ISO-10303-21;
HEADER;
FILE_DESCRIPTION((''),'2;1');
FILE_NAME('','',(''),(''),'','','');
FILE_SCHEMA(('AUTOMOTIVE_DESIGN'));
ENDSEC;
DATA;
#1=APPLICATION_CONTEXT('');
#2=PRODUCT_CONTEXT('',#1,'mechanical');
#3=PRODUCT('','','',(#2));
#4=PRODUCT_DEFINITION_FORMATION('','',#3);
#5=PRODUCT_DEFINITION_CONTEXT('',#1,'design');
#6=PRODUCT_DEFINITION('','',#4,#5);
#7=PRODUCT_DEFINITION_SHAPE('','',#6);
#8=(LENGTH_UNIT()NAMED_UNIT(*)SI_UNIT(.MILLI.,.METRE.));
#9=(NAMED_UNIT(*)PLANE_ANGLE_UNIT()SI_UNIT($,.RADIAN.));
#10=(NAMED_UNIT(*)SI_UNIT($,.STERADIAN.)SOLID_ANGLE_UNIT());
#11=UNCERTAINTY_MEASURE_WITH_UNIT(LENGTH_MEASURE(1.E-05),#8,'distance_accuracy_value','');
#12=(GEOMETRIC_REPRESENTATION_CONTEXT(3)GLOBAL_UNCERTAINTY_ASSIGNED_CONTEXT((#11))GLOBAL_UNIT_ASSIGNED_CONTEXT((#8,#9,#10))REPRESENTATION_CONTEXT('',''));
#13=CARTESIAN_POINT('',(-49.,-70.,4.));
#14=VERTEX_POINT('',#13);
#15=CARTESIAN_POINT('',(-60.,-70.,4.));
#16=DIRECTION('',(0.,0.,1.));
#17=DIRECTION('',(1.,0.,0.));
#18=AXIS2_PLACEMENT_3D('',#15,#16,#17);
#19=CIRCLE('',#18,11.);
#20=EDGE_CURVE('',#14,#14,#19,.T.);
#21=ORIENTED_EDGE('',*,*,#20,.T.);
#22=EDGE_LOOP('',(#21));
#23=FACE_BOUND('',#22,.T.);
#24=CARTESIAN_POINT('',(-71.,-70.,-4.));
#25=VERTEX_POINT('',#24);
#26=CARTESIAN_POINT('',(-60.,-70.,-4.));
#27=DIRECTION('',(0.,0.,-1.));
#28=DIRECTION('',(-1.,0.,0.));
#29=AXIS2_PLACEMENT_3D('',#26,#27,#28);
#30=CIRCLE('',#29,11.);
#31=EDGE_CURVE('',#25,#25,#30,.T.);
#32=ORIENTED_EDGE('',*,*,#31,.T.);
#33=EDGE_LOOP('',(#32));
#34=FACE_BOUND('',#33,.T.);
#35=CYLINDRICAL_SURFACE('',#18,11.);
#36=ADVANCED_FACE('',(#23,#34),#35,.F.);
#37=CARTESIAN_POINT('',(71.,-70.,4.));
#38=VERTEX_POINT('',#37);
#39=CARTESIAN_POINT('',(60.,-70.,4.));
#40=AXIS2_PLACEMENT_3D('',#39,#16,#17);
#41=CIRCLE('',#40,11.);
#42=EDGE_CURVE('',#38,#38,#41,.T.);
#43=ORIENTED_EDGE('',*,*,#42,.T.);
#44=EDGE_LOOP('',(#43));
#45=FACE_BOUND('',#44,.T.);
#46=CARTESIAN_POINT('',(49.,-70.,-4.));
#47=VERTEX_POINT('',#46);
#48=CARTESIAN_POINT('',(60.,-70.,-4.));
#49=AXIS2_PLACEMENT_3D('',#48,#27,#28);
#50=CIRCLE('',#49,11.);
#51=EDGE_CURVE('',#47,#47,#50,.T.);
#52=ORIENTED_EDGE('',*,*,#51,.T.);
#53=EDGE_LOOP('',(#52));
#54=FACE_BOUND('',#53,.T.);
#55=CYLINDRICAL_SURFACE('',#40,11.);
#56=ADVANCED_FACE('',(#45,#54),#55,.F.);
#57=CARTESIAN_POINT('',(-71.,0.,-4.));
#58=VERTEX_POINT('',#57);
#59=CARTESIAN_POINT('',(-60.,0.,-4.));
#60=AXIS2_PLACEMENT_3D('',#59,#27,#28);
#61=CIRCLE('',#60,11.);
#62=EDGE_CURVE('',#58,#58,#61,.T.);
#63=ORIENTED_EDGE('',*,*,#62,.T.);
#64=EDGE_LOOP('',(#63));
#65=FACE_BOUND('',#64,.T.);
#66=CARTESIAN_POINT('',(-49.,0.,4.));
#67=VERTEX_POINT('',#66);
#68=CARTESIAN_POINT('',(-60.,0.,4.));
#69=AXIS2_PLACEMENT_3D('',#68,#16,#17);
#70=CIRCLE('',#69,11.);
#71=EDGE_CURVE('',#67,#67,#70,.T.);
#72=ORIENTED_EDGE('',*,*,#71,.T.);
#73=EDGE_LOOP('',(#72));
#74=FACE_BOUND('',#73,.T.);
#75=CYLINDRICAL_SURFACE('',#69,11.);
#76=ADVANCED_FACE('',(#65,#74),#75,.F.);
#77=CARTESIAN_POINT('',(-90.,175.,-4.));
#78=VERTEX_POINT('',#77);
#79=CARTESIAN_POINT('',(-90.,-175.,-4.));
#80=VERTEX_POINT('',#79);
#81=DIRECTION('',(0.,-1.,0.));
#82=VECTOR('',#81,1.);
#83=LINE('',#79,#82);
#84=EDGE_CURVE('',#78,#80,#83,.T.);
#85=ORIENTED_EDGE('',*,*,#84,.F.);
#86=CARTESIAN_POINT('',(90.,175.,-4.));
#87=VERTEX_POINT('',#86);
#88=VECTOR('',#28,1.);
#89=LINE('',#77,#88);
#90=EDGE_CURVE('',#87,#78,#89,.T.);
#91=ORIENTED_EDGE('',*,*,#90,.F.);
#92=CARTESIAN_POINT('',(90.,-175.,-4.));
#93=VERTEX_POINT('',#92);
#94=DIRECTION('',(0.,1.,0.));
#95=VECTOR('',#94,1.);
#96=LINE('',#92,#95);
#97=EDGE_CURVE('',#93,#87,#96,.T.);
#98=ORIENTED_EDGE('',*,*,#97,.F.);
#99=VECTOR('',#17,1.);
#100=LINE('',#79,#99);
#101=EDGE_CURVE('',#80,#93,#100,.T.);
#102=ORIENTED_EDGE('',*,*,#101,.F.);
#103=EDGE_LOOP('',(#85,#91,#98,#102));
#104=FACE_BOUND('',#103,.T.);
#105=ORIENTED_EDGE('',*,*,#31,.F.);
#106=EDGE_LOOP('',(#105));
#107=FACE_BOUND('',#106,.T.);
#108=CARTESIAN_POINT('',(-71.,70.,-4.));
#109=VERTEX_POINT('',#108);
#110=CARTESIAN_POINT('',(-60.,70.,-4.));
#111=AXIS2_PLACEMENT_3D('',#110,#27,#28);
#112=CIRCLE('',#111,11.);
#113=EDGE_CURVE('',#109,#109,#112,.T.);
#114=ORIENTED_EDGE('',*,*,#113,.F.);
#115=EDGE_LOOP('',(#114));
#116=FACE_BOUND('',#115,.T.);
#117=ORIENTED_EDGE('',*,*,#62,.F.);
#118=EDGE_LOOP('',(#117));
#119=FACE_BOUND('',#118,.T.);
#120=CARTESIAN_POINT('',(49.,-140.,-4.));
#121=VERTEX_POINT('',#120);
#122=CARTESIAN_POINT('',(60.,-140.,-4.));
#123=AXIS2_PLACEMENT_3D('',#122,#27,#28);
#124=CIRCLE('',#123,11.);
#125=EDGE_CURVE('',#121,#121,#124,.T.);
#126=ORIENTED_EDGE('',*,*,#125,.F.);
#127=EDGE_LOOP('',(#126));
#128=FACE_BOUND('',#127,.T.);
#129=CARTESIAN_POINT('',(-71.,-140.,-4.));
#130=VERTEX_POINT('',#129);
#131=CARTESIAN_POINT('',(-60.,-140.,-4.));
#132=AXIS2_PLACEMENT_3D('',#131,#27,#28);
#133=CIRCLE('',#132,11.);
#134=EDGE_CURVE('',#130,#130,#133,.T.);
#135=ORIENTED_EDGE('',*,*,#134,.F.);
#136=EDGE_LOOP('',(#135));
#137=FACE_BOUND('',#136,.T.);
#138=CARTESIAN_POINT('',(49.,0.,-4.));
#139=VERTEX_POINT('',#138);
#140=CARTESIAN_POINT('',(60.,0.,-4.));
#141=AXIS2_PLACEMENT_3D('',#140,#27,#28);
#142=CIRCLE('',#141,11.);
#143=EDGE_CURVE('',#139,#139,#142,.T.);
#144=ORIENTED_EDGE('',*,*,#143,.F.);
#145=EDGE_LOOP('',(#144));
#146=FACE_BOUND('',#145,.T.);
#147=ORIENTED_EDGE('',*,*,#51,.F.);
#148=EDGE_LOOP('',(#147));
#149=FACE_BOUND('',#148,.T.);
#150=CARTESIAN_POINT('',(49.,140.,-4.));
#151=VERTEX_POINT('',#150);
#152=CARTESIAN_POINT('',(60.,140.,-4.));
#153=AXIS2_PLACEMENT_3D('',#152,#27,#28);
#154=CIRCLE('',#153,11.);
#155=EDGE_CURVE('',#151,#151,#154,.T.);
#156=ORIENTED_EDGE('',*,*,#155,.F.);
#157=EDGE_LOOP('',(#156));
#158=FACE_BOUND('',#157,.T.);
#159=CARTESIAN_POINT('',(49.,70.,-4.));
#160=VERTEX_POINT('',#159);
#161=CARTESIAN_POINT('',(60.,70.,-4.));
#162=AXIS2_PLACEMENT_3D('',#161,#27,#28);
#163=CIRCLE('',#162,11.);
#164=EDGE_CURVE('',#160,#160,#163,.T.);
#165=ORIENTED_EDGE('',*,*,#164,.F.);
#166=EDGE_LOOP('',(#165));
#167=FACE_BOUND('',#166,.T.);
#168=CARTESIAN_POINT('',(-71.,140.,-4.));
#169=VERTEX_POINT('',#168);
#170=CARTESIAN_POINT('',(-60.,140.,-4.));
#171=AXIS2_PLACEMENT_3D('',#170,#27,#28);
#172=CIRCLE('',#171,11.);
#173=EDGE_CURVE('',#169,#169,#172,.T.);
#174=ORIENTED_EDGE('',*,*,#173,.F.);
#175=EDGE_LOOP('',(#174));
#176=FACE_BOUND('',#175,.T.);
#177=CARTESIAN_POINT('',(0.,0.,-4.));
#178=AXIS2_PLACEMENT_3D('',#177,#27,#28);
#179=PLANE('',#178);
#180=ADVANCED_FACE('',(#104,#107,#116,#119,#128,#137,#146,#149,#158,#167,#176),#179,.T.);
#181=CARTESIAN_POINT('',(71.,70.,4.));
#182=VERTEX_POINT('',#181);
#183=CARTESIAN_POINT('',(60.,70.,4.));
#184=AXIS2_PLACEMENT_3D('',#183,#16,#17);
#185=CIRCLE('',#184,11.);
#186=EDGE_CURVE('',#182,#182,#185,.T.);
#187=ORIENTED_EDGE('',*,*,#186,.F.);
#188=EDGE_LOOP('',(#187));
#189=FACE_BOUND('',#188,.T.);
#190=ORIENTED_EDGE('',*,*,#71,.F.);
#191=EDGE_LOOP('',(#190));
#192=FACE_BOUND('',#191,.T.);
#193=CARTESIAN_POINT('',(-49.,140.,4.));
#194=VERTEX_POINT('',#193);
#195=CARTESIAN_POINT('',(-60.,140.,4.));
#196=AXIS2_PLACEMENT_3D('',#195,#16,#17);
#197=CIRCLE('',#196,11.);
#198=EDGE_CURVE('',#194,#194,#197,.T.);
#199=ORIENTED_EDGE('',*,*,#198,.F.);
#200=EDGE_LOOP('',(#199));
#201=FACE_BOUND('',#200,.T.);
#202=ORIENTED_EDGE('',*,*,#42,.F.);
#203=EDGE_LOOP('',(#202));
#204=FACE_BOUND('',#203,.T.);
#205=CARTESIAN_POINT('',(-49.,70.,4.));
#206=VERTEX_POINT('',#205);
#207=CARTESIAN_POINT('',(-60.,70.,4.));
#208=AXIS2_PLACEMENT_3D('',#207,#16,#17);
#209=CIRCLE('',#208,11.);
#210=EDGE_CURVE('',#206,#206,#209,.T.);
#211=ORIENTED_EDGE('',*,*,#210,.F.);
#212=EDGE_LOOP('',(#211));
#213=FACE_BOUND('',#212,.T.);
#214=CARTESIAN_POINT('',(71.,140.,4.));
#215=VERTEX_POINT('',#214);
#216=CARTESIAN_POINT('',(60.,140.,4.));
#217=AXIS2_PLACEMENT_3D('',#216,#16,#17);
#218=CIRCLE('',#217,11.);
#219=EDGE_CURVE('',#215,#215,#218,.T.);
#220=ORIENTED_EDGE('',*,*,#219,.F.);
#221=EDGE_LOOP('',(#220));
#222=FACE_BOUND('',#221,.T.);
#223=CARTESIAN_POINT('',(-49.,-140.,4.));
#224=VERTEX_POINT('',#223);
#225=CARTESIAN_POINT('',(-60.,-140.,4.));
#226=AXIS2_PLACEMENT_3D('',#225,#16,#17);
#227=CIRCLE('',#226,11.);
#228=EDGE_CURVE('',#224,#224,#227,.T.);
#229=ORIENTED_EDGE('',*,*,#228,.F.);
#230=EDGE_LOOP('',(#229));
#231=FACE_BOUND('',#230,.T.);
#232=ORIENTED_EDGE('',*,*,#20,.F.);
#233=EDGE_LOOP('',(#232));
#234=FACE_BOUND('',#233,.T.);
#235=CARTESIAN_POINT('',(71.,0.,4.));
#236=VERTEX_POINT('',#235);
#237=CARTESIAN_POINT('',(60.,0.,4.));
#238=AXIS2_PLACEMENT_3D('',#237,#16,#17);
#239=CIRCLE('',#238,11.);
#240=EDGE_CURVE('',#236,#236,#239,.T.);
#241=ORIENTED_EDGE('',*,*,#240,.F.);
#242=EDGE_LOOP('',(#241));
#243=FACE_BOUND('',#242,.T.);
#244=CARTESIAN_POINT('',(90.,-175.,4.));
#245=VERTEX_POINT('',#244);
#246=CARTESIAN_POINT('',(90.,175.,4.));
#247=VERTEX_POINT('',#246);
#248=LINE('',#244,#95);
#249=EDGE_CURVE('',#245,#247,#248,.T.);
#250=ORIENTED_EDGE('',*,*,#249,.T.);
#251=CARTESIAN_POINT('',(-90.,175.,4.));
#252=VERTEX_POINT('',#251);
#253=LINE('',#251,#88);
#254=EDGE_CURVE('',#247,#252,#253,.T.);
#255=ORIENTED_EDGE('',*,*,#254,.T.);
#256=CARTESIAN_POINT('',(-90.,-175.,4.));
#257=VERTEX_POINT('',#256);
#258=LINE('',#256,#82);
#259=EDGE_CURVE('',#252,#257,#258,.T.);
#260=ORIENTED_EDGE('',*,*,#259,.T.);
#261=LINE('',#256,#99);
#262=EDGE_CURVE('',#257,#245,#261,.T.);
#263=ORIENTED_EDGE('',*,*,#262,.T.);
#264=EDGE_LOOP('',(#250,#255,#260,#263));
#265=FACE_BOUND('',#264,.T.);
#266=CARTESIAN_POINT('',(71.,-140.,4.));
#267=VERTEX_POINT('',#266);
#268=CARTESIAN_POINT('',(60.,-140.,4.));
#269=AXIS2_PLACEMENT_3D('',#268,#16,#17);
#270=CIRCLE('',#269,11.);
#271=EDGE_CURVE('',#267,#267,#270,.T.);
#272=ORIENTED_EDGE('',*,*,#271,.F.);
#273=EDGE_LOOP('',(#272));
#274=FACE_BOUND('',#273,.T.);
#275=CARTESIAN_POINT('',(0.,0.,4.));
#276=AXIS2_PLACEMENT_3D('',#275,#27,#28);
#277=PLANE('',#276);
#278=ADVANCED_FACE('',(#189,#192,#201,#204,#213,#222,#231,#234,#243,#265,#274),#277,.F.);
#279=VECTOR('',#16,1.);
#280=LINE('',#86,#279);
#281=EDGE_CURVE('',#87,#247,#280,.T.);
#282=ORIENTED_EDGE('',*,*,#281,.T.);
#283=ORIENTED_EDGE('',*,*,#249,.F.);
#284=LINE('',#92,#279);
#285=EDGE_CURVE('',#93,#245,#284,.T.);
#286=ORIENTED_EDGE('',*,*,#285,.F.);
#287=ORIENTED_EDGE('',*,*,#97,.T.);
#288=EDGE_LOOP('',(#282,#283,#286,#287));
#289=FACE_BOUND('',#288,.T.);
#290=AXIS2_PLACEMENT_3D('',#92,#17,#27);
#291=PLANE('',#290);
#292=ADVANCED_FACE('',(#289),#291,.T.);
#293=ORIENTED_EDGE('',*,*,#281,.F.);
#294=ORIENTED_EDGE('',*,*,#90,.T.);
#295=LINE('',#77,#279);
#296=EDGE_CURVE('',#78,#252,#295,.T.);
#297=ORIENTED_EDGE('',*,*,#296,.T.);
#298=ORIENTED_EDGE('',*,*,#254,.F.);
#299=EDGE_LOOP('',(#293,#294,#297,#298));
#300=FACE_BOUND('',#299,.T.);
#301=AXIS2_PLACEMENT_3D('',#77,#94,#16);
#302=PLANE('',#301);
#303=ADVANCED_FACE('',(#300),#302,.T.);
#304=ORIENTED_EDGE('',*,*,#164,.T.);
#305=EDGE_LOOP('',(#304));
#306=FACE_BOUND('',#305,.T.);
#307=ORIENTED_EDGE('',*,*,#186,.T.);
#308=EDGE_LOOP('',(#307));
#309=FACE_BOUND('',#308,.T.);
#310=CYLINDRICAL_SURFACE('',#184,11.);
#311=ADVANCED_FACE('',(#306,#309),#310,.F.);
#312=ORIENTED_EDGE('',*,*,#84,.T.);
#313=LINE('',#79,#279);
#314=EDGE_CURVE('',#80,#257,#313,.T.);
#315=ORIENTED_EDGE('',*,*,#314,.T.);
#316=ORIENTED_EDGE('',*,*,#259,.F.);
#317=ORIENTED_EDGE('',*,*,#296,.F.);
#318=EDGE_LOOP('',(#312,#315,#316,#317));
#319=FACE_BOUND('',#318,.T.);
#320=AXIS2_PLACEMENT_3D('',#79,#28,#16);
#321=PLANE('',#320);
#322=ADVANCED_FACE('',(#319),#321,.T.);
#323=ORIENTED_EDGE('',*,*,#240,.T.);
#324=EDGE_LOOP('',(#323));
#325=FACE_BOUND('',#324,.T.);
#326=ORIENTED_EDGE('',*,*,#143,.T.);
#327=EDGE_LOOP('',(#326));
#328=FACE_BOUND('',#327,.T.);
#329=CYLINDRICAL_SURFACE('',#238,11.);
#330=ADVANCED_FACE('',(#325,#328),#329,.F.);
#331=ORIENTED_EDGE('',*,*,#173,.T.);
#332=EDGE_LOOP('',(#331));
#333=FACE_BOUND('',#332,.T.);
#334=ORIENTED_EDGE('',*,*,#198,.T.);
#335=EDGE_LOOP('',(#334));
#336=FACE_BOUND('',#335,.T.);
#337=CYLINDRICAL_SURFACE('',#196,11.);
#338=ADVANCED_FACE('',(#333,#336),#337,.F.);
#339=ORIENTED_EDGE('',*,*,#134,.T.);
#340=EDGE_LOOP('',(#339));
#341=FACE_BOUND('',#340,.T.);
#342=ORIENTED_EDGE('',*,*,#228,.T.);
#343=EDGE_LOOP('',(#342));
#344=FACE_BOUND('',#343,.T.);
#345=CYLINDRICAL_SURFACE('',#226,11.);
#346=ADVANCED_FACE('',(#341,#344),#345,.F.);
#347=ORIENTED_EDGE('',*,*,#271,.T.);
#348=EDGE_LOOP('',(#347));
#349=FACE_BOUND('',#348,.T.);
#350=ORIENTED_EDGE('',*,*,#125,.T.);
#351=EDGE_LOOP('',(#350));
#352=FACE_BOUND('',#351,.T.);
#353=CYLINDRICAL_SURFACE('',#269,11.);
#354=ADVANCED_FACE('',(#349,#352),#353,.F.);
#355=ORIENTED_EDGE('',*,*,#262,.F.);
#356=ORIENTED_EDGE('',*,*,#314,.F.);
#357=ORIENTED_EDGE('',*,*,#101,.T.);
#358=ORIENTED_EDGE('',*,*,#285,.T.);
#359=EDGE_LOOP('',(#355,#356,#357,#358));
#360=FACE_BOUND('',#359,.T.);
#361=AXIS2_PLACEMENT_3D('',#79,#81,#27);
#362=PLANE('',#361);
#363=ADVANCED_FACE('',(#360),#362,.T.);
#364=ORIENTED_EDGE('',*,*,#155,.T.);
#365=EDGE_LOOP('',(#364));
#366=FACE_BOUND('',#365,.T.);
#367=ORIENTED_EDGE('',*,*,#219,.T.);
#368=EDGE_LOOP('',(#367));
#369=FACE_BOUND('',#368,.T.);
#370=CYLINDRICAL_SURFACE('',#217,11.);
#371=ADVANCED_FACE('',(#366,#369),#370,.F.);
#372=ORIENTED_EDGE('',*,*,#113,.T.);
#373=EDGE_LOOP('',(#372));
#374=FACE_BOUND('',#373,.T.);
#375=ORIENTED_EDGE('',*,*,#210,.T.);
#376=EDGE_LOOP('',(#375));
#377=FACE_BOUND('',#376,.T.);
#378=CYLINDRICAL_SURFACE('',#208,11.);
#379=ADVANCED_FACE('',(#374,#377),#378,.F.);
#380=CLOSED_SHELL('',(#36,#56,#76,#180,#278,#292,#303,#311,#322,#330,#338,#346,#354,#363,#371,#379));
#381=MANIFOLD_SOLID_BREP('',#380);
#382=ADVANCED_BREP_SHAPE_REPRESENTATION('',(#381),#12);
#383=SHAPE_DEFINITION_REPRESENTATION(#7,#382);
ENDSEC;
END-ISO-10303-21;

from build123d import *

# Parameters (mm, degrees)
SKETCH1_W                  = 180
SKETCH1_H                  = 350
BOSS_EXTRUDE1_DEPTH        = 4
F_22_0_22_DIAMETER_HOLE1_D = 22
LPATTERN1_COUNT            = 5
LPATTERN1_PITCH            = 70


with BuildPart() as part:
    # Sketch1 → Boss-Extrude1 (new, symmetric)
    with BuildSketch(Plane.XY):
        Rectangle(SKETCH1_W, SKETCH1_H)
    extrude(amount=BOSS_EXTRUDE1_DEPTH, both=True)

    # Ø22.0 (22) Diameter Hole1 (through all)
    with Locations(Plane.XY.offset(4)):
        with Locations((-60, 140), (60, 140)):
            f_22_0_22_diameter_hole1 = Hole(F_22_0_22_DIAMETER_HOLE1_D / 2)

    # LPattern1: Ø22.0 (22) Diameter Hole1 ×5
    with Locations(*[(0, -i * LPATTERN1_PITCH, 0) for i in range(1, LPATTERN1_COUNT)]):
        add(f_22_0_22_diameter_hole1, mode=Mode.SUBTRACT)


solid = part.part
